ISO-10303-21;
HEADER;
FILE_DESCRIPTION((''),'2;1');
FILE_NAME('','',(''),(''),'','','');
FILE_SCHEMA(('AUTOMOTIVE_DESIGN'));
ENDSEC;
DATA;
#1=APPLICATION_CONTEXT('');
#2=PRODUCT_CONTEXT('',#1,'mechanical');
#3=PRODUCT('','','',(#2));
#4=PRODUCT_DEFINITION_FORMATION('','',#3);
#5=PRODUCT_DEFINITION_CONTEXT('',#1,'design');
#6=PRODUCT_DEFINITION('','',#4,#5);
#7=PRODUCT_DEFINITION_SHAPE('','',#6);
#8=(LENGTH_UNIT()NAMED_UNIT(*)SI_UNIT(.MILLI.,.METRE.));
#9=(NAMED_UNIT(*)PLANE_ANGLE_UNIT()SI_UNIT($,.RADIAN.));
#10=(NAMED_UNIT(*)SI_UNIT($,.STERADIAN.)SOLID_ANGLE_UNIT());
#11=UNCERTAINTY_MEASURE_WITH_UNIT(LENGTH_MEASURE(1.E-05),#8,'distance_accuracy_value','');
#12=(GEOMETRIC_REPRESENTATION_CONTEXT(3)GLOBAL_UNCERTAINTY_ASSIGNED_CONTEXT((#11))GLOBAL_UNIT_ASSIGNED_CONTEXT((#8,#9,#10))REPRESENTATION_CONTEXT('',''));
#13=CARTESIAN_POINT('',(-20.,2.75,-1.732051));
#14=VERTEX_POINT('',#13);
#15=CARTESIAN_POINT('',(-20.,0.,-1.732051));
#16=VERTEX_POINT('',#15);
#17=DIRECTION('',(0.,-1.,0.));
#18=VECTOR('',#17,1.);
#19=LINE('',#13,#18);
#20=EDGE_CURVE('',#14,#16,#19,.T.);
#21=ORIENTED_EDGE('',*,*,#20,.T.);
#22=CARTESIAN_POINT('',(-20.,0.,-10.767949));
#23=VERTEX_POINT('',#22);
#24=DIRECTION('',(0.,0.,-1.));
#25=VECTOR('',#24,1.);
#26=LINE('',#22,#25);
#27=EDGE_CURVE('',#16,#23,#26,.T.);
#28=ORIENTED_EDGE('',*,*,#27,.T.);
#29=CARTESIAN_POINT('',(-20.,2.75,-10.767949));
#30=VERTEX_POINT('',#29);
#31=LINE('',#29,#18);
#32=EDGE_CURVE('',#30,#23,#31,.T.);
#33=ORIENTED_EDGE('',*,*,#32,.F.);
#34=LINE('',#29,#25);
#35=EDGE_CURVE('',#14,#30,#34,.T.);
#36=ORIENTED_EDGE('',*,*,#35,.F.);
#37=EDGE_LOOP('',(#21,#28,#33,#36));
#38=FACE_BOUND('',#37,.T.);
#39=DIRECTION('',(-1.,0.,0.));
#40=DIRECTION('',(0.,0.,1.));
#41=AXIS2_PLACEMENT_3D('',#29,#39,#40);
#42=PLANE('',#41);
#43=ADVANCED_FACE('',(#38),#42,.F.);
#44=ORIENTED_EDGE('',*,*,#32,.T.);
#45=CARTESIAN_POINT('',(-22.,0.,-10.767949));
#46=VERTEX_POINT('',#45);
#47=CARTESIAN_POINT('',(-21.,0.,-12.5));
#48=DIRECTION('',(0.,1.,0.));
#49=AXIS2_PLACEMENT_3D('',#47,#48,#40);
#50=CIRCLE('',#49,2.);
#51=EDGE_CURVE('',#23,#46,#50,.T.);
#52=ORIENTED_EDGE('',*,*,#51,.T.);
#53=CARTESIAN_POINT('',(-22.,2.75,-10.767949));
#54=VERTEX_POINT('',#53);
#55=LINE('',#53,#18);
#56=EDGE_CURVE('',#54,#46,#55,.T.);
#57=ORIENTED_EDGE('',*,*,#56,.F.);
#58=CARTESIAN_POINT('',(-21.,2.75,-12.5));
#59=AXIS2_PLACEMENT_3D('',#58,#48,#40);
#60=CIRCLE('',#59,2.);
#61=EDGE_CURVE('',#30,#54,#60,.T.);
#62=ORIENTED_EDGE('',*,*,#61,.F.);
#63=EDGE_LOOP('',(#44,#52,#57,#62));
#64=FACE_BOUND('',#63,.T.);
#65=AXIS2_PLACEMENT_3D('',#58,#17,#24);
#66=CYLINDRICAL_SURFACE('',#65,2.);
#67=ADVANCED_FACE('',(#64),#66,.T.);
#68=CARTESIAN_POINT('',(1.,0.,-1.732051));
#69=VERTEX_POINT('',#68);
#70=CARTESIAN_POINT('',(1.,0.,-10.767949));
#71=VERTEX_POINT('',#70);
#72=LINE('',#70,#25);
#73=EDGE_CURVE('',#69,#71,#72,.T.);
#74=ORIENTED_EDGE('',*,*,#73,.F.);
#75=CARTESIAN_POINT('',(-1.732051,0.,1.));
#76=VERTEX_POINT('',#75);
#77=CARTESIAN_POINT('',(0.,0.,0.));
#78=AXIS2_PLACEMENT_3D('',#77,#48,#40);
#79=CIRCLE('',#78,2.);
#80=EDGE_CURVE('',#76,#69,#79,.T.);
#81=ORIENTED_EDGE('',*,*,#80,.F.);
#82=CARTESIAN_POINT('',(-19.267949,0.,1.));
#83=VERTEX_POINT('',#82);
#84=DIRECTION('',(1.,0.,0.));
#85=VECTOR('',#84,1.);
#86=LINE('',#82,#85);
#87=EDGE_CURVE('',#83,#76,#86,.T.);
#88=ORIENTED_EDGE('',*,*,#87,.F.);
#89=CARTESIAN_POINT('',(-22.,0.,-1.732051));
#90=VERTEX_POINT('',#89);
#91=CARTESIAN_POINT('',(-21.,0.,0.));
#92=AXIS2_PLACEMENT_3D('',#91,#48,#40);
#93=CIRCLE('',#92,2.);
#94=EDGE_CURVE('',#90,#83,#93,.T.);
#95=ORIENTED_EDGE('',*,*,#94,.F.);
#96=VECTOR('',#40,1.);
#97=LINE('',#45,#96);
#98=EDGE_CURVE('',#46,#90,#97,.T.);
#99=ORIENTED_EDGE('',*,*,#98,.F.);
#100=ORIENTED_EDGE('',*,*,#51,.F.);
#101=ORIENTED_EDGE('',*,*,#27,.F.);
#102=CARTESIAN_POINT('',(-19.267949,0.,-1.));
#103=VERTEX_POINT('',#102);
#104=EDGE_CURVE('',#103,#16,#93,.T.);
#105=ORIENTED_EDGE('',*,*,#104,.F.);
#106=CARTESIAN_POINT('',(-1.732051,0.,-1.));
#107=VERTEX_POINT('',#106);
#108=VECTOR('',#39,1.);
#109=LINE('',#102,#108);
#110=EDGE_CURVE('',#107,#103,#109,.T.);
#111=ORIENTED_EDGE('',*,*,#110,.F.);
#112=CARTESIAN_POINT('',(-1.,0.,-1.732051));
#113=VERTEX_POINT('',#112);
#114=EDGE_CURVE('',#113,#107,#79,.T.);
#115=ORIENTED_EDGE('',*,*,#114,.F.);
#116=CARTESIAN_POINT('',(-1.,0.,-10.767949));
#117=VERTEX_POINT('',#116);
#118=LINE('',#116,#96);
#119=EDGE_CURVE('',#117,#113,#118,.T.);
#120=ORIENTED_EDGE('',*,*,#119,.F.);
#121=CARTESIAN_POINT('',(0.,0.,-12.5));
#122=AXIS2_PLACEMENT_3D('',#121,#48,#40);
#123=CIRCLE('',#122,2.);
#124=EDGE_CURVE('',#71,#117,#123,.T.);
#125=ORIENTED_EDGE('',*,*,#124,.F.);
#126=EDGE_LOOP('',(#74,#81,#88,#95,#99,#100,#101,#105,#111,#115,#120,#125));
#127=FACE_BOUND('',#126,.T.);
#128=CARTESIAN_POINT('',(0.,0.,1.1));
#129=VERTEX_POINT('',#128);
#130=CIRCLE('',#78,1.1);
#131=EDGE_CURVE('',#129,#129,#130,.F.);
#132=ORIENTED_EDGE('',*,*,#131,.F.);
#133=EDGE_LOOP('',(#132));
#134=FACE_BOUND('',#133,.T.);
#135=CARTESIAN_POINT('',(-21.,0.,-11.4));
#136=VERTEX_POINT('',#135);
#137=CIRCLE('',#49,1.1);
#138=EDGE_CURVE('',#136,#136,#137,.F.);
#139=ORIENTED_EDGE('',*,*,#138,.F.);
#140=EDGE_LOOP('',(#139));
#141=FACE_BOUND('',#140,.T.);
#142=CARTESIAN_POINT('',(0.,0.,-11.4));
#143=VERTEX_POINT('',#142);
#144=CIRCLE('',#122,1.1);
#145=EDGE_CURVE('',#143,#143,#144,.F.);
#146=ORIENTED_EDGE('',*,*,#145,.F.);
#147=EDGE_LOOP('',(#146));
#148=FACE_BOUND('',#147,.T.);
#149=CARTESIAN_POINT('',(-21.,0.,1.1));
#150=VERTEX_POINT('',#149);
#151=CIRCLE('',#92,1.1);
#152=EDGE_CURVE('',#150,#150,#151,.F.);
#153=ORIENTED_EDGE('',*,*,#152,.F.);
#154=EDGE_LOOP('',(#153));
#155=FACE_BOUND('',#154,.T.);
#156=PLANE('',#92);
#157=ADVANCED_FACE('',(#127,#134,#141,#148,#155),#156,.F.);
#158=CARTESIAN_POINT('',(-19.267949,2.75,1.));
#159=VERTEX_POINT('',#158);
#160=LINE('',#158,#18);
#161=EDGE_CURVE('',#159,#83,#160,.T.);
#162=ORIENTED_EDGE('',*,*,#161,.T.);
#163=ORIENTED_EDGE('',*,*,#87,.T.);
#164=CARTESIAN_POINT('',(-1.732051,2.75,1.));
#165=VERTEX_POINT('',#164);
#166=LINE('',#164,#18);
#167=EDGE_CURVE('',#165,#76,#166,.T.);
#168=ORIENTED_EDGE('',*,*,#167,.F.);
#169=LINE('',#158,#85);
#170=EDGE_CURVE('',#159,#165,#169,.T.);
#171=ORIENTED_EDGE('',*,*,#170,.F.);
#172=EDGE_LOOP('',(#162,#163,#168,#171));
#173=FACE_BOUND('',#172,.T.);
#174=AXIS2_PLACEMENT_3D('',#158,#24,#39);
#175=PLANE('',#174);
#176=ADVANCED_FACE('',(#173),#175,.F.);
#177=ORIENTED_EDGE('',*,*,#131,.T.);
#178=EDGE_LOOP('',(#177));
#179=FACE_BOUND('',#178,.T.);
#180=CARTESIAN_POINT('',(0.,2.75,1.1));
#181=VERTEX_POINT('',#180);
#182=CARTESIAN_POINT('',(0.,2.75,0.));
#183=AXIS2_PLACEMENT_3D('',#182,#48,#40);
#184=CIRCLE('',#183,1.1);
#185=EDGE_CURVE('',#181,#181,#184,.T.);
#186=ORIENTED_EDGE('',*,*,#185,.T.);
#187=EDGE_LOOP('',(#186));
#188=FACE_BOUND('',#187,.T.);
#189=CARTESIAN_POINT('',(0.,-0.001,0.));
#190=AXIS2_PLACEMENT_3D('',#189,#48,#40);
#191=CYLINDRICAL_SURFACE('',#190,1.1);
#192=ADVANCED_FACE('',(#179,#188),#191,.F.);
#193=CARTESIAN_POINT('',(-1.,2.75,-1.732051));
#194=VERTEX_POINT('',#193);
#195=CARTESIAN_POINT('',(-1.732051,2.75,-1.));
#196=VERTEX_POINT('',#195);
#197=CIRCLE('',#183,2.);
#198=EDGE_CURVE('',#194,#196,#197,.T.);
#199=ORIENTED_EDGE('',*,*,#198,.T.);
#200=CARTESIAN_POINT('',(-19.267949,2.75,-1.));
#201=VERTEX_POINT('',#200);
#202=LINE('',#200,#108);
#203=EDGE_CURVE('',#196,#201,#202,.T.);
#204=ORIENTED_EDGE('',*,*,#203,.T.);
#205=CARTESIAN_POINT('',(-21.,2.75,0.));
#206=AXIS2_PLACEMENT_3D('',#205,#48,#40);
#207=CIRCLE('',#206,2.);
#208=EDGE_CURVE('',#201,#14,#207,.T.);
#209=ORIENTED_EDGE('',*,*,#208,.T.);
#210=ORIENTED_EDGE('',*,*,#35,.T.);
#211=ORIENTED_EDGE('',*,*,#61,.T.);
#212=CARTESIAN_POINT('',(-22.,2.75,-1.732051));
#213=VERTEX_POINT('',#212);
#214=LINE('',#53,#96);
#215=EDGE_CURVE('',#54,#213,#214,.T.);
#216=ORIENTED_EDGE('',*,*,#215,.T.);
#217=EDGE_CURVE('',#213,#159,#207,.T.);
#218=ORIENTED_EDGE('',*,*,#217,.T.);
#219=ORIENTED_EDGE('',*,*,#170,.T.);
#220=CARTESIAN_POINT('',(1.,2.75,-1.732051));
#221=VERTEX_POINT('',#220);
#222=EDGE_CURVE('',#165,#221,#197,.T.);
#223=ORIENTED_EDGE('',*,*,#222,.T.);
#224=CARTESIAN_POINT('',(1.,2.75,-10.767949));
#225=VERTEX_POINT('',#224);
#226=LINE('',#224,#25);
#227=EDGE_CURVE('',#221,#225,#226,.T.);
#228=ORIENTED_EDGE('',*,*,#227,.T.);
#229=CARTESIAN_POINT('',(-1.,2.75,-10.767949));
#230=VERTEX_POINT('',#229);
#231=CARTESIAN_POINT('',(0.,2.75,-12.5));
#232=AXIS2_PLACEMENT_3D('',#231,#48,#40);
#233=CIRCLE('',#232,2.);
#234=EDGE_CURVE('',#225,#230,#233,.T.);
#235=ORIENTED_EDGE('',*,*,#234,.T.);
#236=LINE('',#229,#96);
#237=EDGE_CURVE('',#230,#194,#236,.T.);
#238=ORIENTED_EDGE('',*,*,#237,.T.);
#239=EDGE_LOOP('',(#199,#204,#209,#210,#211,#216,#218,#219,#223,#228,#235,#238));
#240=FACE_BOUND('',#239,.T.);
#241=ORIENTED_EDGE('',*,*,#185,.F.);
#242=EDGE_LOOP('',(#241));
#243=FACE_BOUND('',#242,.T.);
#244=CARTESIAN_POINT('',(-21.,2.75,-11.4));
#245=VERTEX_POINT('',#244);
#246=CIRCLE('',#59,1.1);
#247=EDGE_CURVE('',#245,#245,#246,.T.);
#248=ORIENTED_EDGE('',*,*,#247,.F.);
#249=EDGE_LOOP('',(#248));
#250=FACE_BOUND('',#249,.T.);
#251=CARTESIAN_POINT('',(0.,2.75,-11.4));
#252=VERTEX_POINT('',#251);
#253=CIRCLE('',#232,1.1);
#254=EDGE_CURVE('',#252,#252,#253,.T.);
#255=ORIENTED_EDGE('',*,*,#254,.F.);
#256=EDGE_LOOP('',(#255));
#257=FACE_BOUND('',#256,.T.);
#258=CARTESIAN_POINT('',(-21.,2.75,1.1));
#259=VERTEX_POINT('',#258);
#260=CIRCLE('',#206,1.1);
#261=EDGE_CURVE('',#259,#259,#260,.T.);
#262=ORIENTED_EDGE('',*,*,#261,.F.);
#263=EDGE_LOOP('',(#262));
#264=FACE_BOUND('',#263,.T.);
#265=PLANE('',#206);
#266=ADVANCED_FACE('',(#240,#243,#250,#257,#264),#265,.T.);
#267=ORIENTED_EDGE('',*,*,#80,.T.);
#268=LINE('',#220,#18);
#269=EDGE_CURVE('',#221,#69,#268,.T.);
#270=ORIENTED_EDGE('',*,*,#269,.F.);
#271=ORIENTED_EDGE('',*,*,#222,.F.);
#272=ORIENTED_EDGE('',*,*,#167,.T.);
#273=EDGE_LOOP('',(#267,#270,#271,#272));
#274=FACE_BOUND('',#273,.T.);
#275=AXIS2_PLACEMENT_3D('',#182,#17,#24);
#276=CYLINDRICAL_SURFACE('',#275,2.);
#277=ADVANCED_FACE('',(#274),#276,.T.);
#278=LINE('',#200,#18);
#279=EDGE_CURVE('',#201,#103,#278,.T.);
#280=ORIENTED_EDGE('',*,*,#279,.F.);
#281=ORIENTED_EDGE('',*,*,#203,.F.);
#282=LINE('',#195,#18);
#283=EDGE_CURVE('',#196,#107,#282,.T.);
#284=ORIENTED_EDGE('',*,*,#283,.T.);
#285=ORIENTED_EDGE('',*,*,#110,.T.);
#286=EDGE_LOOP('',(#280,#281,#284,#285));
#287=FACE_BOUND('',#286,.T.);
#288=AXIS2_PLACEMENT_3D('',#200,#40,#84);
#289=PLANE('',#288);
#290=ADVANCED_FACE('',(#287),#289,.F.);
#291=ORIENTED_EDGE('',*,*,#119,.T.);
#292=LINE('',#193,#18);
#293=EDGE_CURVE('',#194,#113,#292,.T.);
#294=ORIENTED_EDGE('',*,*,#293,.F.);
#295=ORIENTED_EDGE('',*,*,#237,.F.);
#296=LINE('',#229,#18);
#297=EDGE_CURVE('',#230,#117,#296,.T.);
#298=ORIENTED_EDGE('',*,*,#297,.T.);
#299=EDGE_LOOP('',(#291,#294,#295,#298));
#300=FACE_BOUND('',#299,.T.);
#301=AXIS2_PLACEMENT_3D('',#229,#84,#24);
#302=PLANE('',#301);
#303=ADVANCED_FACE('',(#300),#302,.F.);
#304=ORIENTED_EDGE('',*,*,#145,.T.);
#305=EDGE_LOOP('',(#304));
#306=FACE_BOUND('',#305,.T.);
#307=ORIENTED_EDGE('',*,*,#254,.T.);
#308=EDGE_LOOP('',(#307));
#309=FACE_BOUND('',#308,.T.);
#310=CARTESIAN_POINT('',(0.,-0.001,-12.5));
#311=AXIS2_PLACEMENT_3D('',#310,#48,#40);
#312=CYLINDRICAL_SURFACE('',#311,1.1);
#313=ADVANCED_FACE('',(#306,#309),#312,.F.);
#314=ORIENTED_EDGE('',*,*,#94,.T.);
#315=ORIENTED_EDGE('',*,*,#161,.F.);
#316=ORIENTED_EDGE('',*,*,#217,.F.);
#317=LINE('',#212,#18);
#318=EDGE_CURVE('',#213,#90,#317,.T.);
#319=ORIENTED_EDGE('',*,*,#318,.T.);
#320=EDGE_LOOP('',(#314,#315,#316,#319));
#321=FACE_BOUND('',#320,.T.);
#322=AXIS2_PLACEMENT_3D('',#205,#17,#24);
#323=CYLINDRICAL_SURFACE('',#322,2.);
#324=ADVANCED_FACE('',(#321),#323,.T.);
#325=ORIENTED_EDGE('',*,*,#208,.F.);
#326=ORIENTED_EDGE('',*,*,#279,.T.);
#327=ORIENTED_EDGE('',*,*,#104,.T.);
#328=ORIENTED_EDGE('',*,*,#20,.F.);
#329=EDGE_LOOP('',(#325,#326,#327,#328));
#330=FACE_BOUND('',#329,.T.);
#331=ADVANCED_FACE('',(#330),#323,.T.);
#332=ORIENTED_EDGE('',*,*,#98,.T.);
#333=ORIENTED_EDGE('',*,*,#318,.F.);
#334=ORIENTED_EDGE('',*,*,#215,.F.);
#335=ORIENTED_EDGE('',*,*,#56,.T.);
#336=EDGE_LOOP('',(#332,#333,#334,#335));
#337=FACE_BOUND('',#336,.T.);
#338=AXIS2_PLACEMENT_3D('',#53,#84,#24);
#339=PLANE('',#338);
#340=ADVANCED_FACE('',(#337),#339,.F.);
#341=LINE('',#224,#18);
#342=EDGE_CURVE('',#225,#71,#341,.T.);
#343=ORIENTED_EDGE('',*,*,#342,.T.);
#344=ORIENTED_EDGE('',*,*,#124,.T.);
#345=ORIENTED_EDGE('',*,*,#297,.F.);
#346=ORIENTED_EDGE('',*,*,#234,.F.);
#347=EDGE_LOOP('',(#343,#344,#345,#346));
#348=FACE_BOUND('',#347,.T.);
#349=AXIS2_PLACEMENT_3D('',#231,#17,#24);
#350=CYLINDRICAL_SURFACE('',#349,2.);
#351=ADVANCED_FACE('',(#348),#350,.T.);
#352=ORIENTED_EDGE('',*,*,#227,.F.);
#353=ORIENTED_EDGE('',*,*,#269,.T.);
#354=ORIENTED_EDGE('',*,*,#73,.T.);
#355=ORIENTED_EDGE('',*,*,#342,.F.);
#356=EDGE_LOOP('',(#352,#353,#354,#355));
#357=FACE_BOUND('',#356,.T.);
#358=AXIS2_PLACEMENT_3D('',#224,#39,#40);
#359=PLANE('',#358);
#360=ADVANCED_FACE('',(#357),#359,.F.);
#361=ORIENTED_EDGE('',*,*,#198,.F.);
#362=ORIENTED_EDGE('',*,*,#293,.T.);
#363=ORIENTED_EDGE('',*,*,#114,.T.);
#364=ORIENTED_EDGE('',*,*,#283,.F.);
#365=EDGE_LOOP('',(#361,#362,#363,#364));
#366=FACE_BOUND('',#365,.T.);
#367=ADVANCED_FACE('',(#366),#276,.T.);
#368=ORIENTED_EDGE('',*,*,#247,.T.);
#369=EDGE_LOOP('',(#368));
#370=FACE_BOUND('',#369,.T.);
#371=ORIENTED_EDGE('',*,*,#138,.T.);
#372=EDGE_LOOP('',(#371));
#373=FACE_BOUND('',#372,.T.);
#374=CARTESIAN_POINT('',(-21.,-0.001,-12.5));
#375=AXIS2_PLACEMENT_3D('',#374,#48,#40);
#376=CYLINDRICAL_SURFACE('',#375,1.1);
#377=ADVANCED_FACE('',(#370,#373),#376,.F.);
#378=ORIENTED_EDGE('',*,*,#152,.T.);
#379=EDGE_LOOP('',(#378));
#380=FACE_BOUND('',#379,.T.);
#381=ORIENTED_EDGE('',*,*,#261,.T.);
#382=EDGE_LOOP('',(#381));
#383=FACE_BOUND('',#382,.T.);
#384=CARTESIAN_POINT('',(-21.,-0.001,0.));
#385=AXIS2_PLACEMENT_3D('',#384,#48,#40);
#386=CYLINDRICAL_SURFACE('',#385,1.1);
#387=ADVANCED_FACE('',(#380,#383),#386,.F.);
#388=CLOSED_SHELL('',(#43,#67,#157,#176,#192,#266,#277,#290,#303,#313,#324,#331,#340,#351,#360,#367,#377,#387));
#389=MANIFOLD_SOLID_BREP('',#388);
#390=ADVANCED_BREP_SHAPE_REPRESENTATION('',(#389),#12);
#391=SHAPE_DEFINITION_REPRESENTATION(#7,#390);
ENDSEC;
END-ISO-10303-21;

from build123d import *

# Parameters (mm, degrees)
EXTUDEMAIN_DEPTH = 2.75
PIHOLES_REACH    = 29.328
SKETCH2_R        = 1.1


with BuildPart() as part:
    # Main → ExtudeMain (new body)
    with BuildSketch(Plane(origin=(0, 0, 0), x_dir=(1, 0, 0), z_dir=(0, 1, 0))):
        with BuildLine():
            Line((-19.267949192, 1), (-1.732050808, 1))
            ThreePointArc((-1.732050808, 1), (-1.414213562, 1.414213562), (-1, 1.732050808))
            Line((-1, 1.732050808), (-1, 10.767949192))
            ThreePointArc((-1, 10.767949192), (0, 14.5), (1, 10.767949192))
            Line((1, 10.767949192), (1, 1.732050808))
            ThreePointArc((1, 1.732050808), (1.414213562, -1.414213562), (-1.732050808, -1))
            Line((-1.732050808, -1), (-19.267949192, -1))
            ThreePointArc((-19.267949192, -1), (-22.414213562, -1.414213562), (-22, 1.732050808))
            Line((-22, 1.732050808), (-22, 10.767949192))
            ThreePointArc((-22, 10.767949192), (-21, 14.5), (-20, 10.767949192))
            Line((-20, 10.767949192), (-20, 1.732050808))
            ThreePointArc((-20, 1.732050808), (-19.585786438, 1.414213562), (-19.267949192, 1))
        make_face()
    extrude(amount=EXTUDEMAIN_DEPTH)

    # Sketch2 → PiHoles (cut, up to next)
    with BuildSketch(Plane(origin=(0, 2.75, 0), x_dir=(1, 0, 0), z_dir=(0, 1, 0)), mode=Mode.PRIVATE) as piholes_sk1:
        with Locations(Location((-21, 12.5, 0), (0, 0, 270))):
            Circle(SKETCH2_R)
    piholes_tool1 = extrude(piholes_sk1.sketch, amount=-PIHOLES_REACH, mode=Mode.PRIVATE) & part.part
    # Sketch2 → PiHoles (cut, up to next)
    with BuildSketch(Plane(origin=(0, 2.75, 0), x_dir=(1, 0, 0), z_dir=(0, 1, 0)), mode=Mode.PRIVATE) as piholes_sk2:
        with Locations(Location((0, 12.5, 0), (0, 0, 270))):
            Circle(SKETCH2_R)
    piholes_tool2 = extrude(piholes_sk2.sketch, amount=-PIHOLES_REACH, mode=Mode.PRIVATE) & part.part
    # Sketch2 → PiHoles (cut, up to next)
    with BuildSketch(Plane(origin=(0, 2.75, 0), x_dir=(1, 0, 0), z_dir=(0, 1, 0)), mode=Mode.PRIVATE) as piholes_sk3:
        with Locations(Location((0, 0, 0), (0, 0, 270))):
            Circle(SKETCH2_R)
    piholes_tool3 = extrude(piholes_sk3.sketch, amount=-PIHOLES_REACH, mode=Mode.PRIVATE) & part.part
    # Sketch2 → PiHoles (cut, up to next)
    with BuildSketch(Plane(origin=(0, 2.75, 0), x_dir=(1, 0, 0), z_dir=(0, 1, 0)), mode=Mode.PRIVATE) as piholes_sk4:
        with Locations(Location((-21, 0, 0), (0, 0, 270))):
            Circle(SKETCH2_R)
    piholes_tool4 = extrude(piholes_sk4.sketch, amount=-PIHOLES_REACH, mode=Mode.PRIVATE) & part.part
    add(piholes_tool1.solids().sort_by_distance((-21, 2.75, -12.5))[0], mode=Mode.SUBTRACT)
    add(piholes_tool2.solids().sort_by_distance((0, 2.75, -12.5))[0], mode=Mode.SUBTRACT)
    add(piholes_tool3.solids().sort_by_distance((0, 2.75, 0))[0], mode=Mode.SUBTRACT)
    add(piholes_tool4.solids().sort_by_distance((-21, 2.75, 0))[0], mode=Mode.SUBTRACT)


solid = part.part
